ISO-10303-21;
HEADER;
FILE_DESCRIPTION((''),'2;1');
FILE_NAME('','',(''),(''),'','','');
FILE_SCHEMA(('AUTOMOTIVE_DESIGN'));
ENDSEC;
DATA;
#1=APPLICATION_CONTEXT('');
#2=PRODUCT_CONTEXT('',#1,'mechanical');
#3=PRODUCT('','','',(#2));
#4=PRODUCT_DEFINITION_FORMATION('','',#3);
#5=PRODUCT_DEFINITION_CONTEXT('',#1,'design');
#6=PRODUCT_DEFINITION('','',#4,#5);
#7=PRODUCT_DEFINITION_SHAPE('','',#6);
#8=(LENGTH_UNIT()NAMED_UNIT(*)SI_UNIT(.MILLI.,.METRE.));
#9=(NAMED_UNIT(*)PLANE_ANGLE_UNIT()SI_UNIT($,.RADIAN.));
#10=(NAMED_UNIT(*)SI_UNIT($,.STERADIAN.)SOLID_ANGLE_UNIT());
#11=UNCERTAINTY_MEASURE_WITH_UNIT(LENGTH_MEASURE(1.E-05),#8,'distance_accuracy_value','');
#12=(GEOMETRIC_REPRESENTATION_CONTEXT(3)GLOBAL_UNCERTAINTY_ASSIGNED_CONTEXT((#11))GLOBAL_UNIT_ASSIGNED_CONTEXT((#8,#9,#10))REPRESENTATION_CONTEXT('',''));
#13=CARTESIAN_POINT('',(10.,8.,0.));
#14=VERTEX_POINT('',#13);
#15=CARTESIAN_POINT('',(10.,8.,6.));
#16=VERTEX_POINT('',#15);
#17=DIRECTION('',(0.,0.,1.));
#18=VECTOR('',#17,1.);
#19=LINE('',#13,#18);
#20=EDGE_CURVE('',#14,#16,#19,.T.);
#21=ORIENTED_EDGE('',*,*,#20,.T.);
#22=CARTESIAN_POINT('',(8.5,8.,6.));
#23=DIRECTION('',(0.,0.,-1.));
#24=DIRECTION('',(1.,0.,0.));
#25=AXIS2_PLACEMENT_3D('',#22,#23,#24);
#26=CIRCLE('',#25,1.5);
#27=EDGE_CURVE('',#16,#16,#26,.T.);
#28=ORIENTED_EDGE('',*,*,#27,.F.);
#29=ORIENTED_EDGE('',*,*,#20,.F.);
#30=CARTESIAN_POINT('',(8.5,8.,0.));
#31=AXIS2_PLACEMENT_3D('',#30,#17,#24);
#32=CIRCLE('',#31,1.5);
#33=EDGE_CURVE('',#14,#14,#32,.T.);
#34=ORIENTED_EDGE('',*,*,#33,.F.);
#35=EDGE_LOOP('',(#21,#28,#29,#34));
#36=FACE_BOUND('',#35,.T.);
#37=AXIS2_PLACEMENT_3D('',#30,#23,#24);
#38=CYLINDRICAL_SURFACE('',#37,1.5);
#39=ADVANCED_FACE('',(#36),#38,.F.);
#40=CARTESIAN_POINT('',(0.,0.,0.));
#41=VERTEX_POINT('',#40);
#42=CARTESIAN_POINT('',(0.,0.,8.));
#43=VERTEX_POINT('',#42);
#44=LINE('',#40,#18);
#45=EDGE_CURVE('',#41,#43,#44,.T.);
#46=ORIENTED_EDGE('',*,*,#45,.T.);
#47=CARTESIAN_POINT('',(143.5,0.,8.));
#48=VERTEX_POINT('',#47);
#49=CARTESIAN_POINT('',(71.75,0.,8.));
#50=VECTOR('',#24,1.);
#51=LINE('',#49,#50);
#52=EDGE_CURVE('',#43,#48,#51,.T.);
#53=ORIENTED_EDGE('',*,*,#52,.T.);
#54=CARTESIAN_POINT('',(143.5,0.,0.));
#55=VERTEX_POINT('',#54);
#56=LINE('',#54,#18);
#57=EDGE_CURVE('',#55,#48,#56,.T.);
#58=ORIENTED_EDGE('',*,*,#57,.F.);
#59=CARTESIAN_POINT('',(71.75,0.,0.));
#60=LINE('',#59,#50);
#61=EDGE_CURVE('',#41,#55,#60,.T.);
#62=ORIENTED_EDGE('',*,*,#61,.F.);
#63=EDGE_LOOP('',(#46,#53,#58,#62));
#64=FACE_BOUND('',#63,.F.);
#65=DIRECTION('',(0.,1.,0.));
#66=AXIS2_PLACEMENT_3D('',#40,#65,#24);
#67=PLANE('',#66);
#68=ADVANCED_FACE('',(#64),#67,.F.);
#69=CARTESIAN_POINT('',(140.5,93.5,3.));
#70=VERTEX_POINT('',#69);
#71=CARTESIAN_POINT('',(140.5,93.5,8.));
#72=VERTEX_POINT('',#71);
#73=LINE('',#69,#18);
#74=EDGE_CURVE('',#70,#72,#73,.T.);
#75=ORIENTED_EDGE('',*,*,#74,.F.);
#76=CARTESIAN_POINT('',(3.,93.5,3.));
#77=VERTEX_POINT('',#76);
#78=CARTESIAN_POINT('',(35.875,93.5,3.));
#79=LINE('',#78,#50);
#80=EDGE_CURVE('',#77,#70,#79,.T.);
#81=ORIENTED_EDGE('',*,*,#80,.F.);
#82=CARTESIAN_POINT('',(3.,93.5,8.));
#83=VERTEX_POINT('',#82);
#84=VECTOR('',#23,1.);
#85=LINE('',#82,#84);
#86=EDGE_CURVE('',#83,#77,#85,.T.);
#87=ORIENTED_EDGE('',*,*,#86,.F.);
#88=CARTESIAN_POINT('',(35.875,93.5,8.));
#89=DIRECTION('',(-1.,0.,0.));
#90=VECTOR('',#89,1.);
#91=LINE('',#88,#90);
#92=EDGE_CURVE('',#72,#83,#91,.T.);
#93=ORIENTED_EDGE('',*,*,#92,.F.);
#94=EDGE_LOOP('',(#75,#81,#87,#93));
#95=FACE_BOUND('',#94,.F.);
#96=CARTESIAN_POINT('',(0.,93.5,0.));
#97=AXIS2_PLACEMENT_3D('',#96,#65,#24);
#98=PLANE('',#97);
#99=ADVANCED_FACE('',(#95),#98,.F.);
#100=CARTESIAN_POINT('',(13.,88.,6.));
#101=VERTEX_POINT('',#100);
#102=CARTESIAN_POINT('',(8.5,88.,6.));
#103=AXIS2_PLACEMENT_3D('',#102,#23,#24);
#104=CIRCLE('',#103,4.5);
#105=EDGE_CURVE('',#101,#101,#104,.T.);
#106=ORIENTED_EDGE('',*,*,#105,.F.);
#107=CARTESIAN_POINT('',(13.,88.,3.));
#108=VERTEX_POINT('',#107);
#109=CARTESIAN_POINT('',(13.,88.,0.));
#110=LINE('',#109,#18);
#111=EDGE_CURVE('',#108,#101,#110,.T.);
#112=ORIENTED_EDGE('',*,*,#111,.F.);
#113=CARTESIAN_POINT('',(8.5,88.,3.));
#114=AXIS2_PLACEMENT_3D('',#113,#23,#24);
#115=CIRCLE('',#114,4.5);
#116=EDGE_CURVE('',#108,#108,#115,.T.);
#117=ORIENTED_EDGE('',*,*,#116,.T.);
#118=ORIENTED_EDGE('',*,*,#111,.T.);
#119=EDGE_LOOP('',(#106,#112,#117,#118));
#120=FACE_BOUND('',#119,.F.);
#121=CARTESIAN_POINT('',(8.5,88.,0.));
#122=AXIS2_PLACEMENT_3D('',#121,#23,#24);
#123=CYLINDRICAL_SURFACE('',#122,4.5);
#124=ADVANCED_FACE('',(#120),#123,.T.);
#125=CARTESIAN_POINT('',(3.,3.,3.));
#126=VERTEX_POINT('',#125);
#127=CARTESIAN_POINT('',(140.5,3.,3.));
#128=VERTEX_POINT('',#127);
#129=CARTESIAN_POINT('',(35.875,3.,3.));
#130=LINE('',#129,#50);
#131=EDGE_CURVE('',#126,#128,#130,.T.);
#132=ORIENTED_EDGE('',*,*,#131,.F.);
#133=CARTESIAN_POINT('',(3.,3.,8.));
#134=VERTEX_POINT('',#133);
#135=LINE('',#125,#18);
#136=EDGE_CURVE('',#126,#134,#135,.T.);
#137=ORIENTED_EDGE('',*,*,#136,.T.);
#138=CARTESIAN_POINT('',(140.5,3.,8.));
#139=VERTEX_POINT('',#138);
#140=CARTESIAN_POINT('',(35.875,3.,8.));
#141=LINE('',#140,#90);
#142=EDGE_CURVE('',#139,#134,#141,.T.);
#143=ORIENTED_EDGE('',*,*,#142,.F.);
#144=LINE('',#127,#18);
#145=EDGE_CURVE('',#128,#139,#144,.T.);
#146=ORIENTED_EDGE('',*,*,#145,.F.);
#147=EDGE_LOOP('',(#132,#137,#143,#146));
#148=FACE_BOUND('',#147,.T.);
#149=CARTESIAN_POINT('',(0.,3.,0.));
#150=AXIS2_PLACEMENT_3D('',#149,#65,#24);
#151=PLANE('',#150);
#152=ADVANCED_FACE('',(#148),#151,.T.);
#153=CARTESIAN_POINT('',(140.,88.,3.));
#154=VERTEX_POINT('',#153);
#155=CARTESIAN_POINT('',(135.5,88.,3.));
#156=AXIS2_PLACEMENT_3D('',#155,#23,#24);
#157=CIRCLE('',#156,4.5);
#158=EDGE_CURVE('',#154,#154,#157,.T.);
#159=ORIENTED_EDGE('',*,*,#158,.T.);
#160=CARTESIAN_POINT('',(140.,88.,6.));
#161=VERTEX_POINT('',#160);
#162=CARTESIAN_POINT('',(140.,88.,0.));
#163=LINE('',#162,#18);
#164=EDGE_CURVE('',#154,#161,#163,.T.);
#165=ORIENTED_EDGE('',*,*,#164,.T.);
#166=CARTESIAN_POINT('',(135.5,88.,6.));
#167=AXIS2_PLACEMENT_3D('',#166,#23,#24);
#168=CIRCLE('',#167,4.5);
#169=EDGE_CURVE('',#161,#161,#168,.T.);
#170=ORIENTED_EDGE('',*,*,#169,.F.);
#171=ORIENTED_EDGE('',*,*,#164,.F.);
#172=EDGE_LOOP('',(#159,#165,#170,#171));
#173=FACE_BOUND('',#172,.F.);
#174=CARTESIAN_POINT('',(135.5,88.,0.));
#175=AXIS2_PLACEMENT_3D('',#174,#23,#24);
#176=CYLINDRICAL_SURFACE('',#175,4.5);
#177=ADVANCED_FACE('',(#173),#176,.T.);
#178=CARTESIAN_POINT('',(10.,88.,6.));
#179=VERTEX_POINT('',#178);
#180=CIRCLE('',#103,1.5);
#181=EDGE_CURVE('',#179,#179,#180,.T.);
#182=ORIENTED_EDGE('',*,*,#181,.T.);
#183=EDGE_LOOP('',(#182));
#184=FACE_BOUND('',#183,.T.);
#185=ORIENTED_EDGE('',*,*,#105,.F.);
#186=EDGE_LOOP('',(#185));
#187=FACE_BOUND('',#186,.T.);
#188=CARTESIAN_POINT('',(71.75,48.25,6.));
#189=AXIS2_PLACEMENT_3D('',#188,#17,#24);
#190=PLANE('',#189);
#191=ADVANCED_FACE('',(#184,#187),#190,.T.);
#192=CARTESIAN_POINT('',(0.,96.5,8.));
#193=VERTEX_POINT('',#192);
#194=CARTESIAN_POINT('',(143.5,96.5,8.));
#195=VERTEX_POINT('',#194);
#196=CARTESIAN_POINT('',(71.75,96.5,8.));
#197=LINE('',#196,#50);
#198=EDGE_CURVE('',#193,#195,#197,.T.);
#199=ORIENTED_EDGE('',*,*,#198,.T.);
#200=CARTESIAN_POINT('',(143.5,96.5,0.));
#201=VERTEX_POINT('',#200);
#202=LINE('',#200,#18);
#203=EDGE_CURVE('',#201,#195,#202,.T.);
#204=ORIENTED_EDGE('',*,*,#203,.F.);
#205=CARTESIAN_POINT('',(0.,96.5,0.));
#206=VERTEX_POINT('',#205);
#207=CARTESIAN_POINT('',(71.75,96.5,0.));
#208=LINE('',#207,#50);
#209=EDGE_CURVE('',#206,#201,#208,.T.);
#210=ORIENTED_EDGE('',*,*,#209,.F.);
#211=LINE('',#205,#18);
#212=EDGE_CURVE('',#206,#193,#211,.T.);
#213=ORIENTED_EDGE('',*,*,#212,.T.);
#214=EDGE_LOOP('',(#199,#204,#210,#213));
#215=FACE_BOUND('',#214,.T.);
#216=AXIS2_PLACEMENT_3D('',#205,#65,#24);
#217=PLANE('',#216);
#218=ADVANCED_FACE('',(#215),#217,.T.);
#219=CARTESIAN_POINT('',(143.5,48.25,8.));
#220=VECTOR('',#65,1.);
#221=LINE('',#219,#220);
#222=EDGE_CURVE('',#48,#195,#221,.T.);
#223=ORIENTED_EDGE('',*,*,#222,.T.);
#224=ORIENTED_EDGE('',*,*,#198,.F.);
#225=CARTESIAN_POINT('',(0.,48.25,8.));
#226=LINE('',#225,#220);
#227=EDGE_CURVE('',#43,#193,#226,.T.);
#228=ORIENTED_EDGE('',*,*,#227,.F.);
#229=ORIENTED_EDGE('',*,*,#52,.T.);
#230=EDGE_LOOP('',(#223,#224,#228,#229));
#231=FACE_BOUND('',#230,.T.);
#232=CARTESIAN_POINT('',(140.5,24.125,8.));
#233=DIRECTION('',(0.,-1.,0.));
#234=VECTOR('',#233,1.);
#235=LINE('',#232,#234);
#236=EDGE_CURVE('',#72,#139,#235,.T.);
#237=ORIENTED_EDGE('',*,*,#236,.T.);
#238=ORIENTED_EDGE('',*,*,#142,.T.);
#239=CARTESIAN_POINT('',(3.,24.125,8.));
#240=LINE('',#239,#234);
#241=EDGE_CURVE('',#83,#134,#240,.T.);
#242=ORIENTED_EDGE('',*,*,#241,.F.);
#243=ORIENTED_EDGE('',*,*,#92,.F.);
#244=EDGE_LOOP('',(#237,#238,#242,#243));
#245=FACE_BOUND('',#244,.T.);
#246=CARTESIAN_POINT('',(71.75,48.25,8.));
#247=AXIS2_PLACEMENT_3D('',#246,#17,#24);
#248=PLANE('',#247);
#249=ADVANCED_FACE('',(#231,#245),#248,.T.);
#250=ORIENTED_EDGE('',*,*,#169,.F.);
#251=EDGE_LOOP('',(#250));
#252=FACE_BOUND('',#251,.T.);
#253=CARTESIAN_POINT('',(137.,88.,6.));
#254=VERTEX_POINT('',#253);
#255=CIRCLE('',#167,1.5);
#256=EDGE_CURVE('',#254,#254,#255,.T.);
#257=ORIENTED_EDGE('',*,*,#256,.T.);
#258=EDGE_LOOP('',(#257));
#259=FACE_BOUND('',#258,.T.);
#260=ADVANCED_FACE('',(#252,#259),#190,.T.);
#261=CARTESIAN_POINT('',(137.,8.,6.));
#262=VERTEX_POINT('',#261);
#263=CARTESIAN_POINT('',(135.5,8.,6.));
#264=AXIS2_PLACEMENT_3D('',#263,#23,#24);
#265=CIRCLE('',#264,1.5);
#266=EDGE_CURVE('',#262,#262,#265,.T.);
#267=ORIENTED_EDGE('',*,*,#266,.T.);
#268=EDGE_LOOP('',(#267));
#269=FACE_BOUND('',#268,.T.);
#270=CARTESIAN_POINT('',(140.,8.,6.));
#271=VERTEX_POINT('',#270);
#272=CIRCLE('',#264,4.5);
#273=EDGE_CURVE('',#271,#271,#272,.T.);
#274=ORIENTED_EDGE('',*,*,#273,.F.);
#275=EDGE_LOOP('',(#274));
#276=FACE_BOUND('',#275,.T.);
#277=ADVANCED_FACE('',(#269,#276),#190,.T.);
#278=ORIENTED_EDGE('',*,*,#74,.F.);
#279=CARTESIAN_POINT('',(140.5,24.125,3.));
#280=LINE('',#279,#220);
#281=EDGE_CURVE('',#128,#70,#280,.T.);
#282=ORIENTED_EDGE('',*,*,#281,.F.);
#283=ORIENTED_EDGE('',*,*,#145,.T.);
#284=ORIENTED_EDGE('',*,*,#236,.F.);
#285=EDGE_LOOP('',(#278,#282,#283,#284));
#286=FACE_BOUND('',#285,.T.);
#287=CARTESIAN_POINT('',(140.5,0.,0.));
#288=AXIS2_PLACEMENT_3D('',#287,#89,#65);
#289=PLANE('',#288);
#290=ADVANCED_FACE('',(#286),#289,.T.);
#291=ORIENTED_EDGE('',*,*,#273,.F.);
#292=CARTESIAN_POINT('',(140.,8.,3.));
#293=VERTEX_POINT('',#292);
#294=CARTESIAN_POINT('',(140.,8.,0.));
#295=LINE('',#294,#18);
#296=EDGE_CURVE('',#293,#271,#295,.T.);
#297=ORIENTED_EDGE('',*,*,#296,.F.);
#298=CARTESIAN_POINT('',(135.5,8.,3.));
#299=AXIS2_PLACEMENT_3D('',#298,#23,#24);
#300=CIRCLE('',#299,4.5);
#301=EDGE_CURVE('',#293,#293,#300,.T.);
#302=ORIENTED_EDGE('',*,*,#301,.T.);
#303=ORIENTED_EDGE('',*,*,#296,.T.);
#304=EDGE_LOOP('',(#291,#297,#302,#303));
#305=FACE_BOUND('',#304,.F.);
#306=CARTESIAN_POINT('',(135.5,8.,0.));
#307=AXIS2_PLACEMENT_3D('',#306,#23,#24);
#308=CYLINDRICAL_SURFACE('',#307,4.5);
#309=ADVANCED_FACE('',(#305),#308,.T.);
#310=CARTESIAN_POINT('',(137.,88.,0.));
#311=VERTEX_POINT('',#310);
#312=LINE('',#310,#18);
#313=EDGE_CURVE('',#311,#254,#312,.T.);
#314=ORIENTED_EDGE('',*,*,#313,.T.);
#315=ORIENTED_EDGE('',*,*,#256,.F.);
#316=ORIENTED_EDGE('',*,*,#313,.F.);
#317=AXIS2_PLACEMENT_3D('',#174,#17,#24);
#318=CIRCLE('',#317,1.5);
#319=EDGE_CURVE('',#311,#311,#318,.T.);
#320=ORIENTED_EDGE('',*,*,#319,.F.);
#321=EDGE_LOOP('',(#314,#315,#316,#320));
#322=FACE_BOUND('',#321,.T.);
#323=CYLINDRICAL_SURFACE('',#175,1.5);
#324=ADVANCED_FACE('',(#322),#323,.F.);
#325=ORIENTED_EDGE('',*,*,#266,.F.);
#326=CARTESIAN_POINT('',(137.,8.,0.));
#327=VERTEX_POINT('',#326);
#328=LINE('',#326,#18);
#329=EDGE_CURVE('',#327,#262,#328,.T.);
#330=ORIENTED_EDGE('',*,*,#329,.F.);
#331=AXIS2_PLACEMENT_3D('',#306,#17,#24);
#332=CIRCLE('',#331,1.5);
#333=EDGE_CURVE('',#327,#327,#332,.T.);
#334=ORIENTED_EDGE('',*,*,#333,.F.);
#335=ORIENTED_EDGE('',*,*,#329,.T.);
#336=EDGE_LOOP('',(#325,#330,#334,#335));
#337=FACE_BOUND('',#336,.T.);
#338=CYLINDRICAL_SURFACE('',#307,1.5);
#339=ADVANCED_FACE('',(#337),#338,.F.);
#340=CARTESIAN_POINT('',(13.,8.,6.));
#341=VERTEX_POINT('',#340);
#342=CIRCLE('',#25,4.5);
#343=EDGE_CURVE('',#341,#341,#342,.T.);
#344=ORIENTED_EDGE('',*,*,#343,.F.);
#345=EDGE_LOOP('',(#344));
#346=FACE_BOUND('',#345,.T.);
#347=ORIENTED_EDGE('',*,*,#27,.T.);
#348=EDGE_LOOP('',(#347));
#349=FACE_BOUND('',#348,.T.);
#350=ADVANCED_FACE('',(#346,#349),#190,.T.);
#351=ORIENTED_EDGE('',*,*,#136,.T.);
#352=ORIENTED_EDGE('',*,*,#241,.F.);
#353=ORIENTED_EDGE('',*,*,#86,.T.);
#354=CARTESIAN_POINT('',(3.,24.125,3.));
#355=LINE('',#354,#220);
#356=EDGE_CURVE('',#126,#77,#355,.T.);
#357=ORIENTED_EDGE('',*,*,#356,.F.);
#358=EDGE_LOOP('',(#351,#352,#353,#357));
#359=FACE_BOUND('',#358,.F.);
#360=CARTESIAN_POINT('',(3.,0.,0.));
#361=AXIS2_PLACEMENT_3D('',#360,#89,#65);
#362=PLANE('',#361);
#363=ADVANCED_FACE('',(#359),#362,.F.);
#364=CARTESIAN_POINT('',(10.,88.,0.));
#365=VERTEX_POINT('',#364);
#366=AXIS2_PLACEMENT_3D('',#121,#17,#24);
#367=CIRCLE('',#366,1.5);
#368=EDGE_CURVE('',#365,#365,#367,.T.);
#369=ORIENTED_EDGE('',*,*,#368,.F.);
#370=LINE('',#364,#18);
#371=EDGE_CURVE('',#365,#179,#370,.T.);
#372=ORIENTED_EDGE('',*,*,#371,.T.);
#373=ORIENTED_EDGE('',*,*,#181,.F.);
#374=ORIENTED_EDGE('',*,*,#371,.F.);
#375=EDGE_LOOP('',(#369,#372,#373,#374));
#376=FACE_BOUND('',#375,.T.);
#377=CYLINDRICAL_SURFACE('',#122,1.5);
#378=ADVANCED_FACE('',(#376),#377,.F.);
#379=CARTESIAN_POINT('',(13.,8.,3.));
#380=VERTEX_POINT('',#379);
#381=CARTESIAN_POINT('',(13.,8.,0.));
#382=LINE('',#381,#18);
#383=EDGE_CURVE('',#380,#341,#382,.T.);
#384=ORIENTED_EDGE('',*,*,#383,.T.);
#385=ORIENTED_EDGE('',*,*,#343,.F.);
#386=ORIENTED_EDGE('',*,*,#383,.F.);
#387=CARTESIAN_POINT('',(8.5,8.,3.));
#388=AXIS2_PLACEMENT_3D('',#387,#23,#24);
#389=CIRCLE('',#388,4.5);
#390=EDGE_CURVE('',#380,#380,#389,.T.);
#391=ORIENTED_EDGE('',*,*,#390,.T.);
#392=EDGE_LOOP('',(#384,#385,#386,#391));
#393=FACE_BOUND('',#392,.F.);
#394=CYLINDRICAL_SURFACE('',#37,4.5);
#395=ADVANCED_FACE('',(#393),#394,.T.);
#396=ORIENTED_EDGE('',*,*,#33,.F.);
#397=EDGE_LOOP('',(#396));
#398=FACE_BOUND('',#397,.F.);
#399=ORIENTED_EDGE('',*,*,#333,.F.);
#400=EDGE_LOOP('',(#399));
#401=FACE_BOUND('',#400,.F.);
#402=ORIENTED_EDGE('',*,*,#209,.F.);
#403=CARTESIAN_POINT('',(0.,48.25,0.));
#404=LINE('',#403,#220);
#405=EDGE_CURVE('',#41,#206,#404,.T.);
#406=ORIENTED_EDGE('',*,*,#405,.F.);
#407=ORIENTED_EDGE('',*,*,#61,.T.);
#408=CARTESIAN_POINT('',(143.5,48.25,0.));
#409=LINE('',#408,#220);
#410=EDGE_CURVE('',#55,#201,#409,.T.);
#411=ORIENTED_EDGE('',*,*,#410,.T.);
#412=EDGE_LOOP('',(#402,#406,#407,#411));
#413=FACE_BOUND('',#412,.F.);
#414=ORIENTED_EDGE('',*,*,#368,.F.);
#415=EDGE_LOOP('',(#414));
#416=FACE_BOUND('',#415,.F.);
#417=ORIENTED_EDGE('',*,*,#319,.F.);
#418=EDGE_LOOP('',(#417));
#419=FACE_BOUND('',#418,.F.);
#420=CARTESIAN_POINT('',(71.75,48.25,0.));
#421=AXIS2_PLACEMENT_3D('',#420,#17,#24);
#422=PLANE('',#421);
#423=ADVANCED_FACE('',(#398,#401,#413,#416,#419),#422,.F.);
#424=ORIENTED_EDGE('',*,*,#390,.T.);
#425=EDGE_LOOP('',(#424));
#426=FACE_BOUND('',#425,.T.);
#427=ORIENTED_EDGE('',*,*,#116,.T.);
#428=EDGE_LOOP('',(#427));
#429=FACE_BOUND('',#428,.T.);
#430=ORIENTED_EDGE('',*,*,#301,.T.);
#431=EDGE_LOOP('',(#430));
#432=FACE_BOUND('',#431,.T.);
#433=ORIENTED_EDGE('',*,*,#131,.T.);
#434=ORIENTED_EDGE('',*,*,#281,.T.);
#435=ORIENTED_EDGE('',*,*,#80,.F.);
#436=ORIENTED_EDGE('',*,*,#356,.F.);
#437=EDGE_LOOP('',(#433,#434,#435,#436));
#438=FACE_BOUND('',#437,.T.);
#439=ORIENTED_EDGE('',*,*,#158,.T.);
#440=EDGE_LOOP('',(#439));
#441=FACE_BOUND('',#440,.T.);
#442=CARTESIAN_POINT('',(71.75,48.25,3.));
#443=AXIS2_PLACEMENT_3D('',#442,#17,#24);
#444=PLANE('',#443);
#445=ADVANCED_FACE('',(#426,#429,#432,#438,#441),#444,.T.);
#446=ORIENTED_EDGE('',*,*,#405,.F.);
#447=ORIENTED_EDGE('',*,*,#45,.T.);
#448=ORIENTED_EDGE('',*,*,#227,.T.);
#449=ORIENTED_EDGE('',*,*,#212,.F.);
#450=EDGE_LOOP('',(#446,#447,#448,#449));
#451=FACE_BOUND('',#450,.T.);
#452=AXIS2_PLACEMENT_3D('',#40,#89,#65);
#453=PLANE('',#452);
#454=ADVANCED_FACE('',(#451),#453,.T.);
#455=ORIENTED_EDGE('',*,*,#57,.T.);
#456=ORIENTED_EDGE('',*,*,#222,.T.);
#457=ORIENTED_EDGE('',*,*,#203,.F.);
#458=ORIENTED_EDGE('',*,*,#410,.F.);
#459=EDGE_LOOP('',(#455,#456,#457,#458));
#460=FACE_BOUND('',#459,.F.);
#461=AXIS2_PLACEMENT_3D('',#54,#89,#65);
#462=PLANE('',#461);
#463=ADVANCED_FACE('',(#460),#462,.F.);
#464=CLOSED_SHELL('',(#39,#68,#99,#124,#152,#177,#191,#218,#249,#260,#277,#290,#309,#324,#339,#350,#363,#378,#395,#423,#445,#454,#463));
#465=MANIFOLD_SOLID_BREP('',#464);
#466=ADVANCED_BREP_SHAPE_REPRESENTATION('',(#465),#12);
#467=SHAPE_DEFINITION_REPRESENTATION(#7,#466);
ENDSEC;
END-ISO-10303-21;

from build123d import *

# Parameters (mm, degrees)
SKETCH1_W           = 143.5
SKETCH1_H           = 96.5
SKETCH1_R           = 1.5
BOSS_EXTRUDE1_DEPTH = 8
SHELL1_T            = -3
SKETCH2_W           = 137.5
SKETCH2_H           = 90.5
CUT_EXTRUDE1_DEPTH  = 2


with BuildPart() as part:
    # Sketch1 → Boss-Extrude1 (new body)
    with BuildSketch(Plane.XY):
        with Locations((71.75, 48.25)):
            Rectangle(SKETCH1_W, SKETCH1_H)
        with Locations((8.5, 88)):
            Circle(SKETCH1_R, mode=Mode.SUBTRACT)
        with Locations((8.5, 8)):
            Circle(SKETCH1_R, mode=Mode.SUBTRACT)
        with Locations((135.5, 8)):
            Circle(SKETCH1_R, mode=Mode.SUBTRACT)
        with Locations((135.5, 88)):
            Circle(SKETCH1_R, mode=Mode.SUBTRACT)
    extrude(amount=BOSS_EXTRUDE1_DEPTH)

    # Shell1
    shell1_openings = [part.faces().sort_by_distance(p)[0] for p in [
        (71.75, 48.25, 8),
    ]]
    offset(amount=SHELL1_T, openings=shell1_openings, kind=Kind.INTERSECTION)

    # Sketch2 → Cut-Extrude1 (cut)
    with BuildSketch(Plane.XY.offset(8)):
        with Locations((71.75, 48.25)):
            Rectangle(SKETCH2_W, SKETCH2_H)
    extrude(amount=-CUT_EXTRUDE1_DEPTH, mode=Mode.SUBTRACT)


solid = part.part
